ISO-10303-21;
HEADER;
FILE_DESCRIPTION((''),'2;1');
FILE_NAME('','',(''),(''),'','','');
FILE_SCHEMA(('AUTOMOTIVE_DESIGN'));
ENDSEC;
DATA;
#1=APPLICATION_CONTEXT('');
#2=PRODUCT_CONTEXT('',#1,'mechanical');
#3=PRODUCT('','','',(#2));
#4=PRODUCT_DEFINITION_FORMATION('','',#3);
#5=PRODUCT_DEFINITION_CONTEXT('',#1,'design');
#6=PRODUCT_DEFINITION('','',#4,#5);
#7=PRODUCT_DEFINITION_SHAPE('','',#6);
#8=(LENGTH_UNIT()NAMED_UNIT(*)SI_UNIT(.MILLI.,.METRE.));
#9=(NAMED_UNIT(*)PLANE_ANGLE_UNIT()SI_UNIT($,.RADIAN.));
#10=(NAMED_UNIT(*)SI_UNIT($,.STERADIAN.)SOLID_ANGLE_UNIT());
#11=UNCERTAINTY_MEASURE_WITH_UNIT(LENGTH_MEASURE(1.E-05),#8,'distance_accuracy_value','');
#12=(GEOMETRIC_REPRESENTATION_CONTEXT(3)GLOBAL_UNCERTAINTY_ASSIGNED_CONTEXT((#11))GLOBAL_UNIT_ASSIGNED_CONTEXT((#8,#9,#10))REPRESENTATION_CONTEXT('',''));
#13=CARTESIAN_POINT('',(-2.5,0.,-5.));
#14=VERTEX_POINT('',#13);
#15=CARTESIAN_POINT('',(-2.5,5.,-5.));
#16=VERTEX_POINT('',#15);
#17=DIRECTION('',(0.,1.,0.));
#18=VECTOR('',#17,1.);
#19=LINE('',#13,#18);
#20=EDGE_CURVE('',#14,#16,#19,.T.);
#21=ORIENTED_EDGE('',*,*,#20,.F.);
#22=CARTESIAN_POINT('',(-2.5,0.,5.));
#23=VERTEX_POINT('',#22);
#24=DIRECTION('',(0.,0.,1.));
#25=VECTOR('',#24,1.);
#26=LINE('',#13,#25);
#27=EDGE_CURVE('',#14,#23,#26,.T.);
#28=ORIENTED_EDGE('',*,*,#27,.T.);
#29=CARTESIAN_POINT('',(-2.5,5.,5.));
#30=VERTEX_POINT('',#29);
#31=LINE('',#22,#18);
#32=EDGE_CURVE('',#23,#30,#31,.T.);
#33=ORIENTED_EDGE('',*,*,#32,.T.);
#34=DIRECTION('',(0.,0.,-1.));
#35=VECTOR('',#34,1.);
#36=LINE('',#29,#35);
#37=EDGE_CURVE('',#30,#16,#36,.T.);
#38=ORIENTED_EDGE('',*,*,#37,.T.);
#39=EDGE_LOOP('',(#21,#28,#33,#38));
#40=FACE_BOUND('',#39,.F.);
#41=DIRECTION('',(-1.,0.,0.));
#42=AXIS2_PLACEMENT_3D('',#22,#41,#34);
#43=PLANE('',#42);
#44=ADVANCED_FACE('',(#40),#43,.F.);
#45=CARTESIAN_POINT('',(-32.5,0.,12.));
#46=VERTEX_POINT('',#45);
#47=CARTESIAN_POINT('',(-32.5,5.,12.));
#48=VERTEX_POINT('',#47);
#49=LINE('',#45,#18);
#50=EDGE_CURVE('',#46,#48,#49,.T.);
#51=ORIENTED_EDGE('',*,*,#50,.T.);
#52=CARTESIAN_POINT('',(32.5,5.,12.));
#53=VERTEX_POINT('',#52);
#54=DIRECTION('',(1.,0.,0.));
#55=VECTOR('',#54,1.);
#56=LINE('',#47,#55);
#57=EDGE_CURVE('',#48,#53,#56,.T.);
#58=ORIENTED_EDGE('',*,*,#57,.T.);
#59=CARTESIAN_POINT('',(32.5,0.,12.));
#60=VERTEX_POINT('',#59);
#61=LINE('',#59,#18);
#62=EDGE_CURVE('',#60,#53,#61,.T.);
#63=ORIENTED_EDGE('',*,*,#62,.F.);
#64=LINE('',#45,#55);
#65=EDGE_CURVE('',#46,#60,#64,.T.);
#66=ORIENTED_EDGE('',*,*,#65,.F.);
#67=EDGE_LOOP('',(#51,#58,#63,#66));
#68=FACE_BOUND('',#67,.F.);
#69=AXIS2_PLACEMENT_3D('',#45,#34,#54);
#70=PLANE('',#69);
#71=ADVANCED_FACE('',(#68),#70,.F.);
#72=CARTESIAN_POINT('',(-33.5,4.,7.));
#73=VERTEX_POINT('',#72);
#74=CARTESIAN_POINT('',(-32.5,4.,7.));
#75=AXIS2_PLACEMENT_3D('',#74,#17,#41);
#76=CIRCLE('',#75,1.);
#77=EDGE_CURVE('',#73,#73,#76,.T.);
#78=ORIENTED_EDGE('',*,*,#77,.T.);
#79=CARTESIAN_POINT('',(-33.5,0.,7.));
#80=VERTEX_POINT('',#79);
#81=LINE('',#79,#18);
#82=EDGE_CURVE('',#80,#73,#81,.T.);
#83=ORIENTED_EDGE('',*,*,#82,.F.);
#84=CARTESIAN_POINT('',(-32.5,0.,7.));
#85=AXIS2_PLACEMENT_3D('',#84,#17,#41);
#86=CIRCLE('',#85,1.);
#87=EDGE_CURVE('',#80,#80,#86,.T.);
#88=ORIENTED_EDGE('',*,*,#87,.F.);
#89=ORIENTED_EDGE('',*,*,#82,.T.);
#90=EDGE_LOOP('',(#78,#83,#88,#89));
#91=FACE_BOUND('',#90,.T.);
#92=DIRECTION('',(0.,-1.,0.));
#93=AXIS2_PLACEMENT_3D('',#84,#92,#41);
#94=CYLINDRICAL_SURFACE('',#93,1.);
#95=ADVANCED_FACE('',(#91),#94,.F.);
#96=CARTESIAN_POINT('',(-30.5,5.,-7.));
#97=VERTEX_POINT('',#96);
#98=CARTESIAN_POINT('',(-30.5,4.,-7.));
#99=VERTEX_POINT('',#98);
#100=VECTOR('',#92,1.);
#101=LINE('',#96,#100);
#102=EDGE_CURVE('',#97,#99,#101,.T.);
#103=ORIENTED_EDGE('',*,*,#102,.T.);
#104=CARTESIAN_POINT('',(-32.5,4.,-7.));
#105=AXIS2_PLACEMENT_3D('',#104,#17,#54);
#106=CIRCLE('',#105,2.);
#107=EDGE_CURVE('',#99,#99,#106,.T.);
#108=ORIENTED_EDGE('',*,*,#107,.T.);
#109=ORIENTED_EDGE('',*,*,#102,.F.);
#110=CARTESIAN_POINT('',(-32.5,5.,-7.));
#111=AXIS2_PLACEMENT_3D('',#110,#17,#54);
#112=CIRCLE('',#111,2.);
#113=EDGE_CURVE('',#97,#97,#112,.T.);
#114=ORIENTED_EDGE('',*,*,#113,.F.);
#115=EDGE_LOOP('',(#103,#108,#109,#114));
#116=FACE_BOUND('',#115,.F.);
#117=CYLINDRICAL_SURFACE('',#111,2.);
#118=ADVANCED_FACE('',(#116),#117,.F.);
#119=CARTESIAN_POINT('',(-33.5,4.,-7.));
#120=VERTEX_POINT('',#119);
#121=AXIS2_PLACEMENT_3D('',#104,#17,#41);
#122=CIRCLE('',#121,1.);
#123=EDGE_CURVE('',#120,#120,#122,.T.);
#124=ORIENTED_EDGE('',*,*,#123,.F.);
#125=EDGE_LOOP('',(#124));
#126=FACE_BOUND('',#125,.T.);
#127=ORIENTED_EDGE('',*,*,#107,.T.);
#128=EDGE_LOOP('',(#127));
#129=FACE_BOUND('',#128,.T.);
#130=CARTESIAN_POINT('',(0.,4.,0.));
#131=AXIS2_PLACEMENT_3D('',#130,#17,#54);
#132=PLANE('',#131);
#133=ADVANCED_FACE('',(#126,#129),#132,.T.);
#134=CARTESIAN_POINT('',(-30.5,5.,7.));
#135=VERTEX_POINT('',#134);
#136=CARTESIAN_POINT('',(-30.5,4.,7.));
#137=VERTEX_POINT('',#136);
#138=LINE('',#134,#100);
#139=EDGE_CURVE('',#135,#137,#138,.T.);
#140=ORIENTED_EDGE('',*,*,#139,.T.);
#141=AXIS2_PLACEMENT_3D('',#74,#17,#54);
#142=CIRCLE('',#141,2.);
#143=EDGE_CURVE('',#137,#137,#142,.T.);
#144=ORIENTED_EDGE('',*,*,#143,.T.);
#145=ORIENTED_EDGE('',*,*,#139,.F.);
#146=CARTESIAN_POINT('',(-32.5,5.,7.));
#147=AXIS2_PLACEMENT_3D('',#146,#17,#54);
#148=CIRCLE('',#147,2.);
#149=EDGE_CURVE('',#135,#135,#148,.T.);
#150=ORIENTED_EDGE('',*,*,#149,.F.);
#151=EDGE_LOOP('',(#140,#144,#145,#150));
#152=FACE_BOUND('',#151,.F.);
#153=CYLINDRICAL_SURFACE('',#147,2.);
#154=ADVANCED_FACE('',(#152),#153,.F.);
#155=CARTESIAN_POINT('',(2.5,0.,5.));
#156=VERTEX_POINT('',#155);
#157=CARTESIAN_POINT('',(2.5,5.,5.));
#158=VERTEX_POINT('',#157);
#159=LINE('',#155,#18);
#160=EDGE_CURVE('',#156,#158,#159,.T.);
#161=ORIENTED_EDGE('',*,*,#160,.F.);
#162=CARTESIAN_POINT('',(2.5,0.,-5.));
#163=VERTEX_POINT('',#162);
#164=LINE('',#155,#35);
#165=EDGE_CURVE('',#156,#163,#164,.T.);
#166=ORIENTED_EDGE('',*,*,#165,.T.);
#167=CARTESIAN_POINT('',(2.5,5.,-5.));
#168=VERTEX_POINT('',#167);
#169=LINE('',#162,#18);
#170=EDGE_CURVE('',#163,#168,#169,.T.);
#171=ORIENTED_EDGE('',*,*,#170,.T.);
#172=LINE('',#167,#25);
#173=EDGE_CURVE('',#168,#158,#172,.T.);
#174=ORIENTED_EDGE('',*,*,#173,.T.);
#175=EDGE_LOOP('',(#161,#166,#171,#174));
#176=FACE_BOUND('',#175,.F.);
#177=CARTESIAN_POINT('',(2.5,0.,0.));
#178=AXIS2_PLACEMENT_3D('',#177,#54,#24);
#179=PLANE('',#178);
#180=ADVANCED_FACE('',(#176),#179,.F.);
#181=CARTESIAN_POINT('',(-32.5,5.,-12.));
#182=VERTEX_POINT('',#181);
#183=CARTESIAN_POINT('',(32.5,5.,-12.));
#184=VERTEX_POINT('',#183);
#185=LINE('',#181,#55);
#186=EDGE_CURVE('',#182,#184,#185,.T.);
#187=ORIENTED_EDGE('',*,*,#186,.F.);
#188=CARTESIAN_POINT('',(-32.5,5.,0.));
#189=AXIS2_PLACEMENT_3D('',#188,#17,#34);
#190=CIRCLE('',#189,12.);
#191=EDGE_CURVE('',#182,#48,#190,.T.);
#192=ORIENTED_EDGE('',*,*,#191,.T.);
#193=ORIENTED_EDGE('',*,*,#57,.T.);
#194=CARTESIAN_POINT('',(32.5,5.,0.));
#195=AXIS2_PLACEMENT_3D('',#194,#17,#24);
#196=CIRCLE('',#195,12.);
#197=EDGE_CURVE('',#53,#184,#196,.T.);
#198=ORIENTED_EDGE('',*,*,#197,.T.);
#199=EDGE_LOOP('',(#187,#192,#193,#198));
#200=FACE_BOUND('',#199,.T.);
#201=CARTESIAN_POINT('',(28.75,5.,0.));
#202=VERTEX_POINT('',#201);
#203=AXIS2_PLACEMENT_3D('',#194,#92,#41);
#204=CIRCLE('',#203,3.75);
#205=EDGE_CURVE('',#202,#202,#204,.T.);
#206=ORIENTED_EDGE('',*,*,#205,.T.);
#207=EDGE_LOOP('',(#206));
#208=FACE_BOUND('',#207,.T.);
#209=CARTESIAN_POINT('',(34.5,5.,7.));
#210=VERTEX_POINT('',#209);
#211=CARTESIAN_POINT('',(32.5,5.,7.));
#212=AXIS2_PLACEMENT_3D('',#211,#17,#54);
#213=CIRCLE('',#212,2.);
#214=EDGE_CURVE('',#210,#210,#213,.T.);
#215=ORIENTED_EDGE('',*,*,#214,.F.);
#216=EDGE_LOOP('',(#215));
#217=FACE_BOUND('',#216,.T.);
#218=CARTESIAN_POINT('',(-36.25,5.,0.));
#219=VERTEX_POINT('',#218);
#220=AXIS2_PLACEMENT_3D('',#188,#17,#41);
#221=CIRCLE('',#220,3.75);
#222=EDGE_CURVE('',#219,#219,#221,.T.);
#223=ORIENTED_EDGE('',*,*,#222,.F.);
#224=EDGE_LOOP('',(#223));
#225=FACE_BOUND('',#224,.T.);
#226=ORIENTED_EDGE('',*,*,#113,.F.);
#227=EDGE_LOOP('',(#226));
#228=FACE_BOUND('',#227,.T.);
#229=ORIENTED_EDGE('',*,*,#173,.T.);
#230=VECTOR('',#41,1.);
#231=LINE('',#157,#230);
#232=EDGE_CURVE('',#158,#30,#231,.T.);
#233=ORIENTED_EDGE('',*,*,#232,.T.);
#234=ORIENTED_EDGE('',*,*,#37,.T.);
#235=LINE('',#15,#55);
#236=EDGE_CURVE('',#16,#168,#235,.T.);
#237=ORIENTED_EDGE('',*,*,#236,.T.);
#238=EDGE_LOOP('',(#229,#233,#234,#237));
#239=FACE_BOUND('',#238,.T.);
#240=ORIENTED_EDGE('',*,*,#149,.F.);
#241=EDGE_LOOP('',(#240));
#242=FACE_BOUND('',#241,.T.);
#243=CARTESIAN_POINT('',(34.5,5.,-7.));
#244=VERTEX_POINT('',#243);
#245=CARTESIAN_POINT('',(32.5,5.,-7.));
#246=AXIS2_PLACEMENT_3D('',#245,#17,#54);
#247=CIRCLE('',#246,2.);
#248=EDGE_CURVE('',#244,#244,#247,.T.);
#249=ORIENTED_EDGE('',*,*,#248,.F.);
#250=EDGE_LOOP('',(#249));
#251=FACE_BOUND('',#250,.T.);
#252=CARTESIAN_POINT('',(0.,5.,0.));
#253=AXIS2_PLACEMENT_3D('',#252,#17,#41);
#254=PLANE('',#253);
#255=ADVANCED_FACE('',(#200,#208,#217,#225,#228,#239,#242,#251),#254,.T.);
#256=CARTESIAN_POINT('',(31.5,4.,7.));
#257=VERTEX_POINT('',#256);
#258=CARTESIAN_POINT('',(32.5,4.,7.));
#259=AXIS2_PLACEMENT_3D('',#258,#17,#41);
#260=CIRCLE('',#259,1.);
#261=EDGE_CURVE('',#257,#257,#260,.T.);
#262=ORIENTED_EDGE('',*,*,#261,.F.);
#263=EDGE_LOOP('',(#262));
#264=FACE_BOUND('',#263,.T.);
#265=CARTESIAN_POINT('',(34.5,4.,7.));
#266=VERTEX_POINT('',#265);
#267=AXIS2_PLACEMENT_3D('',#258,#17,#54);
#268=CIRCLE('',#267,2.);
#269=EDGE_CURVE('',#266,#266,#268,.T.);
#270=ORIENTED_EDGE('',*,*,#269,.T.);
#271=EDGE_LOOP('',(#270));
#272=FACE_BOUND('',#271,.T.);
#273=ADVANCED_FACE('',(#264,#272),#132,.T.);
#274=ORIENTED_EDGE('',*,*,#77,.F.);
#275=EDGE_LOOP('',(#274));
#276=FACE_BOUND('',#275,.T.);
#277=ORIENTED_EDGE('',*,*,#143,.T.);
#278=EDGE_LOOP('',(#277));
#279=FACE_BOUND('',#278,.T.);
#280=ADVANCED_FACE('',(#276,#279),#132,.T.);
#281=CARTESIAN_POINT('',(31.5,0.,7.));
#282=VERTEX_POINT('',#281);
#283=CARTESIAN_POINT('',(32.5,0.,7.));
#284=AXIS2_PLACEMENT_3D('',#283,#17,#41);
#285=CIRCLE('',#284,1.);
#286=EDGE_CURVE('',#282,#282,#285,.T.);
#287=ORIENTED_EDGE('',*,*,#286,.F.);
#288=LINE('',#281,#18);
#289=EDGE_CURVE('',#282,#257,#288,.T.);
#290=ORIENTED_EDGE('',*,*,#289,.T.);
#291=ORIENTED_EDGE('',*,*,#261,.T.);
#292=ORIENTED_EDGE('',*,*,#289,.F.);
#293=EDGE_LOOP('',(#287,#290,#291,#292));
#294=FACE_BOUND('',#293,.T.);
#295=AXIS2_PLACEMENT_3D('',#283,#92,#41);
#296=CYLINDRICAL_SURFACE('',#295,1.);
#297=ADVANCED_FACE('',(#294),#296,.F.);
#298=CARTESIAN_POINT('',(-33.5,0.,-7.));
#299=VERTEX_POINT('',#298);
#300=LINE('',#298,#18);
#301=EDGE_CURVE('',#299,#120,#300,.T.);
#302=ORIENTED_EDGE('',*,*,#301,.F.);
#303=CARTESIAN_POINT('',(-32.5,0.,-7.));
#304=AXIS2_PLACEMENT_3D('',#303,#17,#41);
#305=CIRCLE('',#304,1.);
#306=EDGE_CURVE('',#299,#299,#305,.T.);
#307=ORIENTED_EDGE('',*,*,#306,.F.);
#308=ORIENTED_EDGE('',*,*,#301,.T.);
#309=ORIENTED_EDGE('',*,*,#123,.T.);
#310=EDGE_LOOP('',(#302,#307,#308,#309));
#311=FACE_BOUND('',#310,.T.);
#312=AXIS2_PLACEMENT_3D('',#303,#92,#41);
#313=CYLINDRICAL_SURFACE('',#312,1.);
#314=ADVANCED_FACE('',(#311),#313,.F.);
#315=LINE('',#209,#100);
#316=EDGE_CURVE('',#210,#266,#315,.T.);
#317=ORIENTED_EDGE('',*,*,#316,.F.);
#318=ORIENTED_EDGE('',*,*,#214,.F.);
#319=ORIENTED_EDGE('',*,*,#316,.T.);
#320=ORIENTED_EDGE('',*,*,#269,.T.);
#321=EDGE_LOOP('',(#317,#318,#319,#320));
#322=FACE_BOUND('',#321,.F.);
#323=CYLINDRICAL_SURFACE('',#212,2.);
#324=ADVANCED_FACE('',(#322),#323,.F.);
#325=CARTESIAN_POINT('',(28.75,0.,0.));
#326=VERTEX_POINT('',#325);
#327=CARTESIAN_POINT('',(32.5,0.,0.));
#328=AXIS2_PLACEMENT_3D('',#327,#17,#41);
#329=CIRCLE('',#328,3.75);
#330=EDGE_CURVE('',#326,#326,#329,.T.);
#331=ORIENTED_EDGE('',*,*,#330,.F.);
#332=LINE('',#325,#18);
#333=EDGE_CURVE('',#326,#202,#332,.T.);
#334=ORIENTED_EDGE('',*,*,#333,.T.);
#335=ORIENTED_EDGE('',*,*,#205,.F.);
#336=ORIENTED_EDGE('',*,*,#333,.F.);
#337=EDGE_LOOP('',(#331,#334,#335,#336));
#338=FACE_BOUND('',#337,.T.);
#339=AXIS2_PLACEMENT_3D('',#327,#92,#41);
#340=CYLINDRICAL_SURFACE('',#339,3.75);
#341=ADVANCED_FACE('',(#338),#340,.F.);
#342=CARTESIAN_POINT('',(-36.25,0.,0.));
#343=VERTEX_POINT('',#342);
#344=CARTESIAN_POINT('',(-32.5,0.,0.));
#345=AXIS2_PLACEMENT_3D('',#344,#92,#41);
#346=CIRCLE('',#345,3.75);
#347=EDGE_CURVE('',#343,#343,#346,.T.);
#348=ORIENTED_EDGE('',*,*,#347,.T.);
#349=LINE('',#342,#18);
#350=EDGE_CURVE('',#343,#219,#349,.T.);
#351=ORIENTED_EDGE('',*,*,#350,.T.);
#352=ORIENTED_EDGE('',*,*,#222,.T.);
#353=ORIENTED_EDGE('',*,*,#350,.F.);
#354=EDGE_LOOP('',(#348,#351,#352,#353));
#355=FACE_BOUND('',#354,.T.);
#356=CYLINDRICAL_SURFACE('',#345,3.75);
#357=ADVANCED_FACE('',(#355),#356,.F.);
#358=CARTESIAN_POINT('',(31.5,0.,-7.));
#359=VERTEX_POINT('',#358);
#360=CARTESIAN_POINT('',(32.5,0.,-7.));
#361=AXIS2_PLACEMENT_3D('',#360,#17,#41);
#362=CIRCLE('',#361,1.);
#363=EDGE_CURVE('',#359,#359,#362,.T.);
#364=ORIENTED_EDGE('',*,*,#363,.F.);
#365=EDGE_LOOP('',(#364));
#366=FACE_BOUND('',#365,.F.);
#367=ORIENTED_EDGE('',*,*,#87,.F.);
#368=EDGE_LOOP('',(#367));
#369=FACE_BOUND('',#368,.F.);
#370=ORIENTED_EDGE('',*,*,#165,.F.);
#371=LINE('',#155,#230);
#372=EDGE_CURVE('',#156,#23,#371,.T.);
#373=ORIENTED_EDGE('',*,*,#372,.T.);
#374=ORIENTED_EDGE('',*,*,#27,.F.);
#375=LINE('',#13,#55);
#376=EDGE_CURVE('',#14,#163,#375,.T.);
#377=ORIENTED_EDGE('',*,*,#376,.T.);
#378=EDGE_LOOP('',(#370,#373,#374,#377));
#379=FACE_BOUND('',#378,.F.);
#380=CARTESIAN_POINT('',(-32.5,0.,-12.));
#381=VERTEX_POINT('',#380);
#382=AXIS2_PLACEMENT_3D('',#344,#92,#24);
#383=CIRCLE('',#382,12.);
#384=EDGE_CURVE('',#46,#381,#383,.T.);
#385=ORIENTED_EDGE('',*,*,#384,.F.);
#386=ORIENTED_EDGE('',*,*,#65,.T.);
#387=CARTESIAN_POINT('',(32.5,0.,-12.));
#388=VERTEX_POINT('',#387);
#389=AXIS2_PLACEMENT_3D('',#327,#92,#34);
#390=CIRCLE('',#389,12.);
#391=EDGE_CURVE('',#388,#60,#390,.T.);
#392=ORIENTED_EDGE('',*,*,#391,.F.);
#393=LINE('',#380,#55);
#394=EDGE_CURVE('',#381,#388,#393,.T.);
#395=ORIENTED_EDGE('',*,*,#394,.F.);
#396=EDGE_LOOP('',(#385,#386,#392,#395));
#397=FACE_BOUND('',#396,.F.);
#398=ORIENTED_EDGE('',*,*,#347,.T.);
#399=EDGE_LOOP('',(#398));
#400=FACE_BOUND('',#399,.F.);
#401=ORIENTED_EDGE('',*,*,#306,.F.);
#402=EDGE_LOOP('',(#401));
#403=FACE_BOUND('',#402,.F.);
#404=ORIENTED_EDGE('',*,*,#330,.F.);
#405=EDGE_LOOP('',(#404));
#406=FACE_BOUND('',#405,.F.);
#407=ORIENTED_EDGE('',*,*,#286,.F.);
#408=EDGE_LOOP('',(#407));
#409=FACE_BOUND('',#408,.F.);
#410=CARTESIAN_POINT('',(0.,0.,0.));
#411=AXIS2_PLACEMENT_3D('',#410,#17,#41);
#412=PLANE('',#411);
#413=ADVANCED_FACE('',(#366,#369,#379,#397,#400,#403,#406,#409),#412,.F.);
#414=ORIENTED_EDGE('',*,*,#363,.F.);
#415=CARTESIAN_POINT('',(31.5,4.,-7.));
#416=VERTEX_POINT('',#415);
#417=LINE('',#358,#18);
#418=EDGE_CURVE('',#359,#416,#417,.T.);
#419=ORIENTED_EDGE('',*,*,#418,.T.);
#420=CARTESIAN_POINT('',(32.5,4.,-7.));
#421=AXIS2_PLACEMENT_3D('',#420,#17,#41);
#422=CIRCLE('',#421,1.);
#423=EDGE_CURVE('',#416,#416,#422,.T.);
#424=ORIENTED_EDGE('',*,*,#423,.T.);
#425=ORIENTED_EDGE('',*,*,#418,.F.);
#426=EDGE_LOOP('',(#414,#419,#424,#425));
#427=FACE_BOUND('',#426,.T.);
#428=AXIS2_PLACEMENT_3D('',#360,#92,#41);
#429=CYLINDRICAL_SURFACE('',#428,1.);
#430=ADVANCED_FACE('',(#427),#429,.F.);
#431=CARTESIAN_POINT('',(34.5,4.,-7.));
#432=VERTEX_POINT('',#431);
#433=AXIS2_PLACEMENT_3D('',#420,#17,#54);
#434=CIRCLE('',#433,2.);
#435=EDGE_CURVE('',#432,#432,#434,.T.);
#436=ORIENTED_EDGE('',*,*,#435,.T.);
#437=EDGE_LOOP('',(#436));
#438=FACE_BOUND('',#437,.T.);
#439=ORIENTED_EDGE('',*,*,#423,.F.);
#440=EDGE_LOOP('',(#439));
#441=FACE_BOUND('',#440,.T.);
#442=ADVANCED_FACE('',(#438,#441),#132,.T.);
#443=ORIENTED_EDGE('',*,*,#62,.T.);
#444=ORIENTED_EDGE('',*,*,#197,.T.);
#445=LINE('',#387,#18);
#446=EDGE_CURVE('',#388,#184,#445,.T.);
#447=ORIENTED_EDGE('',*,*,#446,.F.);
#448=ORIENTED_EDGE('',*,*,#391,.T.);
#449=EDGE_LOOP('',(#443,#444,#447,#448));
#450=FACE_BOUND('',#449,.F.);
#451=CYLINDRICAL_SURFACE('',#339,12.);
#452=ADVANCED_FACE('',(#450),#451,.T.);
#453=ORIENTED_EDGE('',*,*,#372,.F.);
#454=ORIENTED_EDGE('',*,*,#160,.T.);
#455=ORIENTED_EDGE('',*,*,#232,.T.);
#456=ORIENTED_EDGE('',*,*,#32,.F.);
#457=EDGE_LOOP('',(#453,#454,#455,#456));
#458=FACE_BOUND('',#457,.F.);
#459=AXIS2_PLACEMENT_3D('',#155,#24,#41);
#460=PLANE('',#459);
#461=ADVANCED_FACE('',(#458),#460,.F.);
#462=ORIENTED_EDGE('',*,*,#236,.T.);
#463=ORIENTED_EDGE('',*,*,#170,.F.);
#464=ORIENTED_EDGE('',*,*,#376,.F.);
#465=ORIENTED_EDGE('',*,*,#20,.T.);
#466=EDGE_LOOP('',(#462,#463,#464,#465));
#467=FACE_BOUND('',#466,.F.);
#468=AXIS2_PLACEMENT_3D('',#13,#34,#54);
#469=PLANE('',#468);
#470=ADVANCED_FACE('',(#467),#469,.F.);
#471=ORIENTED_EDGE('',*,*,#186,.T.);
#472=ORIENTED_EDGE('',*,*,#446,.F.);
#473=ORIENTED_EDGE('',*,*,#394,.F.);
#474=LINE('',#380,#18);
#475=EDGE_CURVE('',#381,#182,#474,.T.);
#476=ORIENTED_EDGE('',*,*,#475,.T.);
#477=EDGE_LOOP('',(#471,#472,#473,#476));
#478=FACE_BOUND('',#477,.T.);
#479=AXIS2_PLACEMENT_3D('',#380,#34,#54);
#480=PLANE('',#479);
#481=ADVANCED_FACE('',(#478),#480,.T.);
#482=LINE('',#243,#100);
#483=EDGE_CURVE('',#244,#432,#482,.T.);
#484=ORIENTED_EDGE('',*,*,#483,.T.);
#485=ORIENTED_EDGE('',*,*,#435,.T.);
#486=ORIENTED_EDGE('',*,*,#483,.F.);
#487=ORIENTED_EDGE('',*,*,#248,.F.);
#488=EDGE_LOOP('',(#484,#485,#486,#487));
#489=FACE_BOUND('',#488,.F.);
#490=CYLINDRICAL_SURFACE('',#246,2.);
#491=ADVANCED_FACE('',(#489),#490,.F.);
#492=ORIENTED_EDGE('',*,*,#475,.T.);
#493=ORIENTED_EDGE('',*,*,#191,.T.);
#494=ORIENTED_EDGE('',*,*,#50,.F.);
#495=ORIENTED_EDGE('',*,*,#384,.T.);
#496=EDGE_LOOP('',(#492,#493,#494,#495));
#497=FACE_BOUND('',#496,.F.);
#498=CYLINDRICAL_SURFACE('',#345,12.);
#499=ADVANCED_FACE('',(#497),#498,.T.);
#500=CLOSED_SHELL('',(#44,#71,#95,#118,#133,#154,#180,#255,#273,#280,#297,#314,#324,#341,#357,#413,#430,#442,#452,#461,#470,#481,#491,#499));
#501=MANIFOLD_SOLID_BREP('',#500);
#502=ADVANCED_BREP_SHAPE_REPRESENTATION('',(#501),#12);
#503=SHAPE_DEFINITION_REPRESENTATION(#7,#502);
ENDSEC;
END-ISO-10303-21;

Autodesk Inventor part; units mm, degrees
ref_plane "YZ Plane" through (0, 0, 0) normal (1, 0, 0) x (0, 1, 0)
ref_plane "XZ Plane" through (0, 0, 0) normal (0, 1, 0) x (-1, 0, 0)
ref_plane "XY Plane" through (0, 0, 0) normal (0, 0, 1) x (1, 0, 0)
sketch "Sketch1" plane through (0, 0, 0) normal (0, 1, 0) x (-1, 0, 0)
  circle A0 centre (32.5, 0) radius 12
  circle A1 centre (-32.5, 0) radius 12
  line L0 (32.5, 12) -> (-32.5, 12)
  line L1 (32.5, -12) -> (-32.5, -12)
  circle A2 centre (32.5, 0) radius 3.75
  circle A3 centre (-32.5, 0) radius 3.75
  line L2 (62.3, 0) -> (-62.3, 0) projected
  circle A4 centre (32.5, -7) radius 1
  circle A5 centre (32.5, 7) radius 1
  circle A6 centre (-32.5, -7) radius 1
  circle A7 centre (-32.5, 7) radius 1
  line L3 (2.5, -5) -> (-2.5, -5)
  line L4 (-2.5, -5) -> (-2.5, 5)
  line L5 (-2.5, 5) -> (2.5, 5)
  line L6 (2.5, 5) -> (2.5, -5)
  point P0 (0, 0)
  point P1 (0, 12)
  point P2 (2.5, 0)
  point P3 (0, -5)
  dimension "d5" = 65
  dimension "d6" = 24
  dimension "d7" = 7.5
  dimension "d17" = 2
  dimension "d18" = 7
  dimension "d19" = 7
  dimension "d25" = 5
  dimension "d26" = 10
extrude "Extrusion7" add sketch "Sketch1" along normal blind 5 contours L2 A2 A0 | A0 L2 A2 | A0 L2 L6 L5 L4 A1 L0 | L1 A1 L2 L4 L3 L6 A0 | A1 L2 A3 | A1 L2 A3
sketch "Sketch4" plane through (0, 5, 0) normal (0, 1, 0) x (1, 0, 0)
  circle A0 centre (-32.5, -7) radius 2
  circle A1 centre (-32.5, 7) radius 2
  circle A2 centre (32.5, -7) radius 2
  circle A3 centre (32.5, 7) radius 2
  circle A4 centre (-32.5, -7) radius 1 projected
  circle A5 centre (-32.5, 7) radius 1 projected
  circle A6 centre (32.5, -7) radius 1 projected
  circle A7 centre (32.5, 7) radius 1 projected
  point P0 (0, 0)
  dimension "d29" = 4
extrude "Extrusion8" cut sketch "Sketch4" against normal blind 1
equation "\"d6\" = sa_diameter"
equation "\"d25\" = b_mat_thickness"
equation "\"d27\" = b_mat_thickness"
equation "\"sa_diameter\" = 24"
equation "\"b_mat_thickness\" = 5"
properties part number "Middle_leg_a"
